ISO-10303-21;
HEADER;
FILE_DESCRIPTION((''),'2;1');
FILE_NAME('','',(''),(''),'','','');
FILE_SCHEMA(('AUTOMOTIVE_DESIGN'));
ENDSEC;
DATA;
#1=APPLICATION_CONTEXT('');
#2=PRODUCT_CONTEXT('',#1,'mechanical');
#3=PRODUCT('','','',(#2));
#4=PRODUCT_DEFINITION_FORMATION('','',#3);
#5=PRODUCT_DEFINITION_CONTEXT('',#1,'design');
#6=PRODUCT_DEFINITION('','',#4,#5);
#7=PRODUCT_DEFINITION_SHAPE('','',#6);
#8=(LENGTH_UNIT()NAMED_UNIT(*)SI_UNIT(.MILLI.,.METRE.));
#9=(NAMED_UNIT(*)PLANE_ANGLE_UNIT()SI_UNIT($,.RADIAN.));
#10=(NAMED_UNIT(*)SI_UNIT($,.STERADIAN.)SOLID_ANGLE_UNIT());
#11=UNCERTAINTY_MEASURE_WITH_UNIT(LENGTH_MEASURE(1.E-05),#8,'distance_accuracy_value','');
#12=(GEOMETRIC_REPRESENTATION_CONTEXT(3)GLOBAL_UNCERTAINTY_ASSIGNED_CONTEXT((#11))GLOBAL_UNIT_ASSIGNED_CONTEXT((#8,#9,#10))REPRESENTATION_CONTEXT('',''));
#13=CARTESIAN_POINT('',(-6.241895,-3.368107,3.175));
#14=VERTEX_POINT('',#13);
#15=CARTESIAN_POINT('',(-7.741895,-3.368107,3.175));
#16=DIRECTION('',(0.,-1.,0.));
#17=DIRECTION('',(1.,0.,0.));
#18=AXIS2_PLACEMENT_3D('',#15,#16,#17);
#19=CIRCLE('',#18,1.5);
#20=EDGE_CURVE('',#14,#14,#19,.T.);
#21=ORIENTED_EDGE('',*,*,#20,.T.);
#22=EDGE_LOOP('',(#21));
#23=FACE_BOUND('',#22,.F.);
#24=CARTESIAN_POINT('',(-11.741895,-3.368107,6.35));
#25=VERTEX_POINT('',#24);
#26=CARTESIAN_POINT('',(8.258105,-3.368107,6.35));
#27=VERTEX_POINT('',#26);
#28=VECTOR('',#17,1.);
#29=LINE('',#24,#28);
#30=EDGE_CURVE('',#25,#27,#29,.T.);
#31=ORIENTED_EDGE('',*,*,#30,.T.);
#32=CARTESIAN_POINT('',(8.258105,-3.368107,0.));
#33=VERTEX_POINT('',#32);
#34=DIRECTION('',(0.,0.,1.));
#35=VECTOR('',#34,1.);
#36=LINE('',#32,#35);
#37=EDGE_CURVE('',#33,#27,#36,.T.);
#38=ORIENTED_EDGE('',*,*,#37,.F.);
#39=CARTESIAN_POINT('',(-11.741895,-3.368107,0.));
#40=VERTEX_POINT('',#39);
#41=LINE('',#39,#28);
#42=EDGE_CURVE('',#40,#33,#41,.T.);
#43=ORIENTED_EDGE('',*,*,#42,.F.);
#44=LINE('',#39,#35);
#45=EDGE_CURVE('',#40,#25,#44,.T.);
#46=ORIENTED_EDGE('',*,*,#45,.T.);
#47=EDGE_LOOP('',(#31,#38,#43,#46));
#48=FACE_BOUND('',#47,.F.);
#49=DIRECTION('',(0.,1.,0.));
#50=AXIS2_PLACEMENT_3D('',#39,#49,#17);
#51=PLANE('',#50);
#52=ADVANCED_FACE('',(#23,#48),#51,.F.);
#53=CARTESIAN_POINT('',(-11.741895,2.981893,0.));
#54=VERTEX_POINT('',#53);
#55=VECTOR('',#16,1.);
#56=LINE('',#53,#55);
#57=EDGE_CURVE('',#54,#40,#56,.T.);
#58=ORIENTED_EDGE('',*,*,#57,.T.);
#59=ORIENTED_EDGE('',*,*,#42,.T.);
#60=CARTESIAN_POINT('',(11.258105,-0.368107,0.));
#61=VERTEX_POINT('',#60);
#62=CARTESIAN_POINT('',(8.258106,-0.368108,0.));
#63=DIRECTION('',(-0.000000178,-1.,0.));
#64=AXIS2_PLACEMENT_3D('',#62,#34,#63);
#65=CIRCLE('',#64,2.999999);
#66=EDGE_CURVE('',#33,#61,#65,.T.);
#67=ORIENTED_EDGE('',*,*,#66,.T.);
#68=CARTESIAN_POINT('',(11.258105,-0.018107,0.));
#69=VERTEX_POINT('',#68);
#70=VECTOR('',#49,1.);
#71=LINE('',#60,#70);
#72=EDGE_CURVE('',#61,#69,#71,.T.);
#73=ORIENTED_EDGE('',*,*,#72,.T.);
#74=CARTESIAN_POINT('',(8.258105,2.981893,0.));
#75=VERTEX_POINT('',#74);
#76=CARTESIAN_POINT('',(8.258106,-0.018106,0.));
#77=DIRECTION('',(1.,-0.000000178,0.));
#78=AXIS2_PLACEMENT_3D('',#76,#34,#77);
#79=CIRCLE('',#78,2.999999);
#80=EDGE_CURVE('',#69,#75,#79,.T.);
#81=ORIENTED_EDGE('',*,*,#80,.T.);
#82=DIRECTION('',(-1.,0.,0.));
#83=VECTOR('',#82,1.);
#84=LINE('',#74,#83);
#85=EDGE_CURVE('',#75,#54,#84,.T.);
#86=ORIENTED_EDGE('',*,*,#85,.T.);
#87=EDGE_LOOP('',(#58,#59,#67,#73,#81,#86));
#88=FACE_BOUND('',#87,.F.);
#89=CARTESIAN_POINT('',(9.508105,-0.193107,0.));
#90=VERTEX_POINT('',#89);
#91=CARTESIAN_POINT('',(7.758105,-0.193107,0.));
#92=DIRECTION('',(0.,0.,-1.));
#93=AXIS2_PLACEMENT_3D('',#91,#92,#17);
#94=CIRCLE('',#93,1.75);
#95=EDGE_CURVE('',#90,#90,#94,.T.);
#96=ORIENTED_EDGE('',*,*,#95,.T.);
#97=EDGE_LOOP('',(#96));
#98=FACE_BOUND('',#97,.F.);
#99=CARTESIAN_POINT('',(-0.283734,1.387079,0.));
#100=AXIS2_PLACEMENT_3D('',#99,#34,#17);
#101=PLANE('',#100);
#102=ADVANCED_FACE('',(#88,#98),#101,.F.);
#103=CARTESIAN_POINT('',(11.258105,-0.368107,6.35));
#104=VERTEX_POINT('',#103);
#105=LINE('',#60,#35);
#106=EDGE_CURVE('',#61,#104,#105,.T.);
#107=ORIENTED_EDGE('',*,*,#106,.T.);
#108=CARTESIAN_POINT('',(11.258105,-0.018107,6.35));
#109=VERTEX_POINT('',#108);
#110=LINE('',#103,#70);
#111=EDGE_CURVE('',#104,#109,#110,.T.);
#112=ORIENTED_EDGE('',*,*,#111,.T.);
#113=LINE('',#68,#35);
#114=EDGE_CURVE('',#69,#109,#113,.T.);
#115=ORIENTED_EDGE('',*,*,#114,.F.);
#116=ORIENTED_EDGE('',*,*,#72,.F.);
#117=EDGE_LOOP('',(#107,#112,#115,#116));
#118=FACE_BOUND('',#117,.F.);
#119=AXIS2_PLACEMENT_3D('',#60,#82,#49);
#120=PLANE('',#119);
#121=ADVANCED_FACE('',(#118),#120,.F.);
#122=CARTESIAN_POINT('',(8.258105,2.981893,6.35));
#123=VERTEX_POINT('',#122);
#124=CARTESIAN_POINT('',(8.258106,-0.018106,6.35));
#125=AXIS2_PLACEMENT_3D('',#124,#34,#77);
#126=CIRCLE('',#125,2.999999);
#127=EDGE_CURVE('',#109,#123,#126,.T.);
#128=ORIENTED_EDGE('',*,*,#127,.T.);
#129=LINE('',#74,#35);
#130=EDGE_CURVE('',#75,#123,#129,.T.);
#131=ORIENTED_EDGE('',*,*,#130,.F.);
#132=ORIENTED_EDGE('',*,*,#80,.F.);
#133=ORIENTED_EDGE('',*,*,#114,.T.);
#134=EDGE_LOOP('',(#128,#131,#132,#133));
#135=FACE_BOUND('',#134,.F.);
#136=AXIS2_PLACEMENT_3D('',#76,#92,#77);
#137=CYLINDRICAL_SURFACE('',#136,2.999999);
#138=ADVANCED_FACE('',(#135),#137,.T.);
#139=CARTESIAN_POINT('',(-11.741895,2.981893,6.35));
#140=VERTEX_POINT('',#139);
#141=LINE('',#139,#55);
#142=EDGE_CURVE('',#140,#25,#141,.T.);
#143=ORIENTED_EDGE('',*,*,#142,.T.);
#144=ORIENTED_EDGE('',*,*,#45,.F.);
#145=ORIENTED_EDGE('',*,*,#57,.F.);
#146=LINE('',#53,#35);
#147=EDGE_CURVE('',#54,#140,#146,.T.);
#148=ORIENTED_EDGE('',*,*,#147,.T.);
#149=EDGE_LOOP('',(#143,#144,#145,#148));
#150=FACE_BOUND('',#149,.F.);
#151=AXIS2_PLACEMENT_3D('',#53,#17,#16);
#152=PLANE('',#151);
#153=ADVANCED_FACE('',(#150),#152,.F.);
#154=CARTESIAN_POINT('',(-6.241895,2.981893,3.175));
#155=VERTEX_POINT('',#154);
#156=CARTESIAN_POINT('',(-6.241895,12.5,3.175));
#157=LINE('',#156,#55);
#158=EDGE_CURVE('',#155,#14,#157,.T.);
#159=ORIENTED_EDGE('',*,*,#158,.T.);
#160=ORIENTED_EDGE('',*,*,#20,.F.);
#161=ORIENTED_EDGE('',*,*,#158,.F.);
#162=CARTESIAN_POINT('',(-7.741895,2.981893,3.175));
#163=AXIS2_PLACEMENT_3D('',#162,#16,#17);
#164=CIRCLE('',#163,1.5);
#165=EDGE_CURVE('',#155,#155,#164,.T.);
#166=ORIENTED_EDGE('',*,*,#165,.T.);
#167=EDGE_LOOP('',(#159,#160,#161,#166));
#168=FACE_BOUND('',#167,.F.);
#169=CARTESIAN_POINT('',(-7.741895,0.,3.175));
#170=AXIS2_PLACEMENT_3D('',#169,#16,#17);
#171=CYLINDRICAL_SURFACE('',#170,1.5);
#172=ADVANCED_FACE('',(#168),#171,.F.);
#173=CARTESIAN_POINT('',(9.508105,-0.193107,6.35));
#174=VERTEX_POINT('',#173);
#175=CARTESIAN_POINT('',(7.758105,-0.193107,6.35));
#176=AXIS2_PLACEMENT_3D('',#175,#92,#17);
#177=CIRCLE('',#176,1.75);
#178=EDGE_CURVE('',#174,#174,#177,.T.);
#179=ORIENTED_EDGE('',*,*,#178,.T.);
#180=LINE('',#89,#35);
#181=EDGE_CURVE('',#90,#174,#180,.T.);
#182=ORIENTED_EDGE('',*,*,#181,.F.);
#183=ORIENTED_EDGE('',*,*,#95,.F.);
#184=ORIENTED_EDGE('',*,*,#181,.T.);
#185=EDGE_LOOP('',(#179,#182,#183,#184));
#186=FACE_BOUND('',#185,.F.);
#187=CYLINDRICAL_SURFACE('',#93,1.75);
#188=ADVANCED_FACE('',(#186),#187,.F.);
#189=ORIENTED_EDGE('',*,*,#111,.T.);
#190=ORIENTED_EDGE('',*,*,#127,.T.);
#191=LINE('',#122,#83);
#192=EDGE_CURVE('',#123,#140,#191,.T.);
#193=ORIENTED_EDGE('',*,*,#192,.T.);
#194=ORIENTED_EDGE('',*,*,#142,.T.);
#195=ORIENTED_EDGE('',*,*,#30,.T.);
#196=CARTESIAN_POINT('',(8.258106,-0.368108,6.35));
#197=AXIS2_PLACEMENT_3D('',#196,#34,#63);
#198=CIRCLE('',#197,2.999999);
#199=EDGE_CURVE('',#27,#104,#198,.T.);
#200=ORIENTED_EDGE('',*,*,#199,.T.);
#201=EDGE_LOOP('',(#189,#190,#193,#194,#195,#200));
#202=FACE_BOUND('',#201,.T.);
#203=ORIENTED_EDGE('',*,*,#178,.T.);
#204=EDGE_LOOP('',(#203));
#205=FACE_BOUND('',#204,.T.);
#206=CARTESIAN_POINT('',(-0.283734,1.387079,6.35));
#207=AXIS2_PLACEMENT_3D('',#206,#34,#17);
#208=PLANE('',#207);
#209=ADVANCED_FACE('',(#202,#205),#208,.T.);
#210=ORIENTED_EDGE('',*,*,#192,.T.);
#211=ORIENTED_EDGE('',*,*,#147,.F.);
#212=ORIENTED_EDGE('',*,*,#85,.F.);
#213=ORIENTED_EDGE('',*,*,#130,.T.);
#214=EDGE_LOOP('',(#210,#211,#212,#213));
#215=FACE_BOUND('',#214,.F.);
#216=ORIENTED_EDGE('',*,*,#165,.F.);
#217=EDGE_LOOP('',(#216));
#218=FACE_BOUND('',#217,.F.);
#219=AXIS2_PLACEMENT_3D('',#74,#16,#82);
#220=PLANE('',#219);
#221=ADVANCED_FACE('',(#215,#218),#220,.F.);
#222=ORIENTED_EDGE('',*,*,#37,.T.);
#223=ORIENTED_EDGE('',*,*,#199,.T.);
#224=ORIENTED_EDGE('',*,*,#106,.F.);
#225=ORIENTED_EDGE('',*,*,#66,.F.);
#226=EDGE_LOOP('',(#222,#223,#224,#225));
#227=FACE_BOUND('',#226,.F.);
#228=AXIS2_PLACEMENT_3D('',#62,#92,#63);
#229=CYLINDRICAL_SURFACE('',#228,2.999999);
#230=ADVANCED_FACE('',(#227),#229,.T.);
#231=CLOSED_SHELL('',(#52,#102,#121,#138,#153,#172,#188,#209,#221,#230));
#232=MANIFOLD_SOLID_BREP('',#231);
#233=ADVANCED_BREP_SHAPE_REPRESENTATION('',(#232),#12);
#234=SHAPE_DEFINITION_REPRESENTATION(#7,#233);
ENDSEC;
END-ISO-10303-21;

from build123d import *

# Parameters (mm, degrees)
F1_DEPTH = 6.35
F2_R     = 1.5
F3_DEPTH = 12.5


with BuildPart() as f1:
    # F0 (on Top) → F1 (new body)
    with BuildSketch(Plane.XY):
        with BuildLine():
            Line((8.258105, 2.981893), (-11.741895, 2.981893))
            Line((-11.741895, 2.981893), (-11.741895, -0.193107))
            Line((-11.741895, -0.193107), (6.008105, -0.193107))
            ThreePointArc((6.008105, -0.193107), (7.758105, 1.556893), (9.508105, -0.193107))
            Line((9.508105, -0.193107), (11.258105, -0.193107))
            Line((11.258105, -0.193107), (11.258105, -0.018107))
            ThreePointArc((11.258105, -0.018107), (10.379426, 2.103213), (8.258105, 2.981893))
        make_face()
        with BuildLine():
            Line((6.008105, -0.193107), (-11.741895, -0.193107))
            Line((-11.741895, -0.193107), (-11.741895, -3.368107))
            Line((-11.741895, -3.368107), (8.258105, -3.368107))
            ThreePointArc((8.258105, -3.368107), (10.379426, -2.489427), (11.258105, -0.368107))
            Line((11.258105, -0.368107), (11.258105, -0.193107))
            Line((11.258105, -0.193107), (9.508105, -0.193107))
            ThreePointArc((9.508105, -0.193107), (7.758105, -1.943107), (6.008105, -0.193107))
        make_face()
    extrude(amount=F1_DEPTH)

    # F2 (on Front) → F3 (cut, symmetric)
    with BuildSketch(Plane.XZ):
        with Locations((-7.741895, 3.175)):
            Circle(F2_R)
    extrude(amount=F3_DEPTH, both=True, mode=Mode.SUBTRACT)


solid = f1.part
